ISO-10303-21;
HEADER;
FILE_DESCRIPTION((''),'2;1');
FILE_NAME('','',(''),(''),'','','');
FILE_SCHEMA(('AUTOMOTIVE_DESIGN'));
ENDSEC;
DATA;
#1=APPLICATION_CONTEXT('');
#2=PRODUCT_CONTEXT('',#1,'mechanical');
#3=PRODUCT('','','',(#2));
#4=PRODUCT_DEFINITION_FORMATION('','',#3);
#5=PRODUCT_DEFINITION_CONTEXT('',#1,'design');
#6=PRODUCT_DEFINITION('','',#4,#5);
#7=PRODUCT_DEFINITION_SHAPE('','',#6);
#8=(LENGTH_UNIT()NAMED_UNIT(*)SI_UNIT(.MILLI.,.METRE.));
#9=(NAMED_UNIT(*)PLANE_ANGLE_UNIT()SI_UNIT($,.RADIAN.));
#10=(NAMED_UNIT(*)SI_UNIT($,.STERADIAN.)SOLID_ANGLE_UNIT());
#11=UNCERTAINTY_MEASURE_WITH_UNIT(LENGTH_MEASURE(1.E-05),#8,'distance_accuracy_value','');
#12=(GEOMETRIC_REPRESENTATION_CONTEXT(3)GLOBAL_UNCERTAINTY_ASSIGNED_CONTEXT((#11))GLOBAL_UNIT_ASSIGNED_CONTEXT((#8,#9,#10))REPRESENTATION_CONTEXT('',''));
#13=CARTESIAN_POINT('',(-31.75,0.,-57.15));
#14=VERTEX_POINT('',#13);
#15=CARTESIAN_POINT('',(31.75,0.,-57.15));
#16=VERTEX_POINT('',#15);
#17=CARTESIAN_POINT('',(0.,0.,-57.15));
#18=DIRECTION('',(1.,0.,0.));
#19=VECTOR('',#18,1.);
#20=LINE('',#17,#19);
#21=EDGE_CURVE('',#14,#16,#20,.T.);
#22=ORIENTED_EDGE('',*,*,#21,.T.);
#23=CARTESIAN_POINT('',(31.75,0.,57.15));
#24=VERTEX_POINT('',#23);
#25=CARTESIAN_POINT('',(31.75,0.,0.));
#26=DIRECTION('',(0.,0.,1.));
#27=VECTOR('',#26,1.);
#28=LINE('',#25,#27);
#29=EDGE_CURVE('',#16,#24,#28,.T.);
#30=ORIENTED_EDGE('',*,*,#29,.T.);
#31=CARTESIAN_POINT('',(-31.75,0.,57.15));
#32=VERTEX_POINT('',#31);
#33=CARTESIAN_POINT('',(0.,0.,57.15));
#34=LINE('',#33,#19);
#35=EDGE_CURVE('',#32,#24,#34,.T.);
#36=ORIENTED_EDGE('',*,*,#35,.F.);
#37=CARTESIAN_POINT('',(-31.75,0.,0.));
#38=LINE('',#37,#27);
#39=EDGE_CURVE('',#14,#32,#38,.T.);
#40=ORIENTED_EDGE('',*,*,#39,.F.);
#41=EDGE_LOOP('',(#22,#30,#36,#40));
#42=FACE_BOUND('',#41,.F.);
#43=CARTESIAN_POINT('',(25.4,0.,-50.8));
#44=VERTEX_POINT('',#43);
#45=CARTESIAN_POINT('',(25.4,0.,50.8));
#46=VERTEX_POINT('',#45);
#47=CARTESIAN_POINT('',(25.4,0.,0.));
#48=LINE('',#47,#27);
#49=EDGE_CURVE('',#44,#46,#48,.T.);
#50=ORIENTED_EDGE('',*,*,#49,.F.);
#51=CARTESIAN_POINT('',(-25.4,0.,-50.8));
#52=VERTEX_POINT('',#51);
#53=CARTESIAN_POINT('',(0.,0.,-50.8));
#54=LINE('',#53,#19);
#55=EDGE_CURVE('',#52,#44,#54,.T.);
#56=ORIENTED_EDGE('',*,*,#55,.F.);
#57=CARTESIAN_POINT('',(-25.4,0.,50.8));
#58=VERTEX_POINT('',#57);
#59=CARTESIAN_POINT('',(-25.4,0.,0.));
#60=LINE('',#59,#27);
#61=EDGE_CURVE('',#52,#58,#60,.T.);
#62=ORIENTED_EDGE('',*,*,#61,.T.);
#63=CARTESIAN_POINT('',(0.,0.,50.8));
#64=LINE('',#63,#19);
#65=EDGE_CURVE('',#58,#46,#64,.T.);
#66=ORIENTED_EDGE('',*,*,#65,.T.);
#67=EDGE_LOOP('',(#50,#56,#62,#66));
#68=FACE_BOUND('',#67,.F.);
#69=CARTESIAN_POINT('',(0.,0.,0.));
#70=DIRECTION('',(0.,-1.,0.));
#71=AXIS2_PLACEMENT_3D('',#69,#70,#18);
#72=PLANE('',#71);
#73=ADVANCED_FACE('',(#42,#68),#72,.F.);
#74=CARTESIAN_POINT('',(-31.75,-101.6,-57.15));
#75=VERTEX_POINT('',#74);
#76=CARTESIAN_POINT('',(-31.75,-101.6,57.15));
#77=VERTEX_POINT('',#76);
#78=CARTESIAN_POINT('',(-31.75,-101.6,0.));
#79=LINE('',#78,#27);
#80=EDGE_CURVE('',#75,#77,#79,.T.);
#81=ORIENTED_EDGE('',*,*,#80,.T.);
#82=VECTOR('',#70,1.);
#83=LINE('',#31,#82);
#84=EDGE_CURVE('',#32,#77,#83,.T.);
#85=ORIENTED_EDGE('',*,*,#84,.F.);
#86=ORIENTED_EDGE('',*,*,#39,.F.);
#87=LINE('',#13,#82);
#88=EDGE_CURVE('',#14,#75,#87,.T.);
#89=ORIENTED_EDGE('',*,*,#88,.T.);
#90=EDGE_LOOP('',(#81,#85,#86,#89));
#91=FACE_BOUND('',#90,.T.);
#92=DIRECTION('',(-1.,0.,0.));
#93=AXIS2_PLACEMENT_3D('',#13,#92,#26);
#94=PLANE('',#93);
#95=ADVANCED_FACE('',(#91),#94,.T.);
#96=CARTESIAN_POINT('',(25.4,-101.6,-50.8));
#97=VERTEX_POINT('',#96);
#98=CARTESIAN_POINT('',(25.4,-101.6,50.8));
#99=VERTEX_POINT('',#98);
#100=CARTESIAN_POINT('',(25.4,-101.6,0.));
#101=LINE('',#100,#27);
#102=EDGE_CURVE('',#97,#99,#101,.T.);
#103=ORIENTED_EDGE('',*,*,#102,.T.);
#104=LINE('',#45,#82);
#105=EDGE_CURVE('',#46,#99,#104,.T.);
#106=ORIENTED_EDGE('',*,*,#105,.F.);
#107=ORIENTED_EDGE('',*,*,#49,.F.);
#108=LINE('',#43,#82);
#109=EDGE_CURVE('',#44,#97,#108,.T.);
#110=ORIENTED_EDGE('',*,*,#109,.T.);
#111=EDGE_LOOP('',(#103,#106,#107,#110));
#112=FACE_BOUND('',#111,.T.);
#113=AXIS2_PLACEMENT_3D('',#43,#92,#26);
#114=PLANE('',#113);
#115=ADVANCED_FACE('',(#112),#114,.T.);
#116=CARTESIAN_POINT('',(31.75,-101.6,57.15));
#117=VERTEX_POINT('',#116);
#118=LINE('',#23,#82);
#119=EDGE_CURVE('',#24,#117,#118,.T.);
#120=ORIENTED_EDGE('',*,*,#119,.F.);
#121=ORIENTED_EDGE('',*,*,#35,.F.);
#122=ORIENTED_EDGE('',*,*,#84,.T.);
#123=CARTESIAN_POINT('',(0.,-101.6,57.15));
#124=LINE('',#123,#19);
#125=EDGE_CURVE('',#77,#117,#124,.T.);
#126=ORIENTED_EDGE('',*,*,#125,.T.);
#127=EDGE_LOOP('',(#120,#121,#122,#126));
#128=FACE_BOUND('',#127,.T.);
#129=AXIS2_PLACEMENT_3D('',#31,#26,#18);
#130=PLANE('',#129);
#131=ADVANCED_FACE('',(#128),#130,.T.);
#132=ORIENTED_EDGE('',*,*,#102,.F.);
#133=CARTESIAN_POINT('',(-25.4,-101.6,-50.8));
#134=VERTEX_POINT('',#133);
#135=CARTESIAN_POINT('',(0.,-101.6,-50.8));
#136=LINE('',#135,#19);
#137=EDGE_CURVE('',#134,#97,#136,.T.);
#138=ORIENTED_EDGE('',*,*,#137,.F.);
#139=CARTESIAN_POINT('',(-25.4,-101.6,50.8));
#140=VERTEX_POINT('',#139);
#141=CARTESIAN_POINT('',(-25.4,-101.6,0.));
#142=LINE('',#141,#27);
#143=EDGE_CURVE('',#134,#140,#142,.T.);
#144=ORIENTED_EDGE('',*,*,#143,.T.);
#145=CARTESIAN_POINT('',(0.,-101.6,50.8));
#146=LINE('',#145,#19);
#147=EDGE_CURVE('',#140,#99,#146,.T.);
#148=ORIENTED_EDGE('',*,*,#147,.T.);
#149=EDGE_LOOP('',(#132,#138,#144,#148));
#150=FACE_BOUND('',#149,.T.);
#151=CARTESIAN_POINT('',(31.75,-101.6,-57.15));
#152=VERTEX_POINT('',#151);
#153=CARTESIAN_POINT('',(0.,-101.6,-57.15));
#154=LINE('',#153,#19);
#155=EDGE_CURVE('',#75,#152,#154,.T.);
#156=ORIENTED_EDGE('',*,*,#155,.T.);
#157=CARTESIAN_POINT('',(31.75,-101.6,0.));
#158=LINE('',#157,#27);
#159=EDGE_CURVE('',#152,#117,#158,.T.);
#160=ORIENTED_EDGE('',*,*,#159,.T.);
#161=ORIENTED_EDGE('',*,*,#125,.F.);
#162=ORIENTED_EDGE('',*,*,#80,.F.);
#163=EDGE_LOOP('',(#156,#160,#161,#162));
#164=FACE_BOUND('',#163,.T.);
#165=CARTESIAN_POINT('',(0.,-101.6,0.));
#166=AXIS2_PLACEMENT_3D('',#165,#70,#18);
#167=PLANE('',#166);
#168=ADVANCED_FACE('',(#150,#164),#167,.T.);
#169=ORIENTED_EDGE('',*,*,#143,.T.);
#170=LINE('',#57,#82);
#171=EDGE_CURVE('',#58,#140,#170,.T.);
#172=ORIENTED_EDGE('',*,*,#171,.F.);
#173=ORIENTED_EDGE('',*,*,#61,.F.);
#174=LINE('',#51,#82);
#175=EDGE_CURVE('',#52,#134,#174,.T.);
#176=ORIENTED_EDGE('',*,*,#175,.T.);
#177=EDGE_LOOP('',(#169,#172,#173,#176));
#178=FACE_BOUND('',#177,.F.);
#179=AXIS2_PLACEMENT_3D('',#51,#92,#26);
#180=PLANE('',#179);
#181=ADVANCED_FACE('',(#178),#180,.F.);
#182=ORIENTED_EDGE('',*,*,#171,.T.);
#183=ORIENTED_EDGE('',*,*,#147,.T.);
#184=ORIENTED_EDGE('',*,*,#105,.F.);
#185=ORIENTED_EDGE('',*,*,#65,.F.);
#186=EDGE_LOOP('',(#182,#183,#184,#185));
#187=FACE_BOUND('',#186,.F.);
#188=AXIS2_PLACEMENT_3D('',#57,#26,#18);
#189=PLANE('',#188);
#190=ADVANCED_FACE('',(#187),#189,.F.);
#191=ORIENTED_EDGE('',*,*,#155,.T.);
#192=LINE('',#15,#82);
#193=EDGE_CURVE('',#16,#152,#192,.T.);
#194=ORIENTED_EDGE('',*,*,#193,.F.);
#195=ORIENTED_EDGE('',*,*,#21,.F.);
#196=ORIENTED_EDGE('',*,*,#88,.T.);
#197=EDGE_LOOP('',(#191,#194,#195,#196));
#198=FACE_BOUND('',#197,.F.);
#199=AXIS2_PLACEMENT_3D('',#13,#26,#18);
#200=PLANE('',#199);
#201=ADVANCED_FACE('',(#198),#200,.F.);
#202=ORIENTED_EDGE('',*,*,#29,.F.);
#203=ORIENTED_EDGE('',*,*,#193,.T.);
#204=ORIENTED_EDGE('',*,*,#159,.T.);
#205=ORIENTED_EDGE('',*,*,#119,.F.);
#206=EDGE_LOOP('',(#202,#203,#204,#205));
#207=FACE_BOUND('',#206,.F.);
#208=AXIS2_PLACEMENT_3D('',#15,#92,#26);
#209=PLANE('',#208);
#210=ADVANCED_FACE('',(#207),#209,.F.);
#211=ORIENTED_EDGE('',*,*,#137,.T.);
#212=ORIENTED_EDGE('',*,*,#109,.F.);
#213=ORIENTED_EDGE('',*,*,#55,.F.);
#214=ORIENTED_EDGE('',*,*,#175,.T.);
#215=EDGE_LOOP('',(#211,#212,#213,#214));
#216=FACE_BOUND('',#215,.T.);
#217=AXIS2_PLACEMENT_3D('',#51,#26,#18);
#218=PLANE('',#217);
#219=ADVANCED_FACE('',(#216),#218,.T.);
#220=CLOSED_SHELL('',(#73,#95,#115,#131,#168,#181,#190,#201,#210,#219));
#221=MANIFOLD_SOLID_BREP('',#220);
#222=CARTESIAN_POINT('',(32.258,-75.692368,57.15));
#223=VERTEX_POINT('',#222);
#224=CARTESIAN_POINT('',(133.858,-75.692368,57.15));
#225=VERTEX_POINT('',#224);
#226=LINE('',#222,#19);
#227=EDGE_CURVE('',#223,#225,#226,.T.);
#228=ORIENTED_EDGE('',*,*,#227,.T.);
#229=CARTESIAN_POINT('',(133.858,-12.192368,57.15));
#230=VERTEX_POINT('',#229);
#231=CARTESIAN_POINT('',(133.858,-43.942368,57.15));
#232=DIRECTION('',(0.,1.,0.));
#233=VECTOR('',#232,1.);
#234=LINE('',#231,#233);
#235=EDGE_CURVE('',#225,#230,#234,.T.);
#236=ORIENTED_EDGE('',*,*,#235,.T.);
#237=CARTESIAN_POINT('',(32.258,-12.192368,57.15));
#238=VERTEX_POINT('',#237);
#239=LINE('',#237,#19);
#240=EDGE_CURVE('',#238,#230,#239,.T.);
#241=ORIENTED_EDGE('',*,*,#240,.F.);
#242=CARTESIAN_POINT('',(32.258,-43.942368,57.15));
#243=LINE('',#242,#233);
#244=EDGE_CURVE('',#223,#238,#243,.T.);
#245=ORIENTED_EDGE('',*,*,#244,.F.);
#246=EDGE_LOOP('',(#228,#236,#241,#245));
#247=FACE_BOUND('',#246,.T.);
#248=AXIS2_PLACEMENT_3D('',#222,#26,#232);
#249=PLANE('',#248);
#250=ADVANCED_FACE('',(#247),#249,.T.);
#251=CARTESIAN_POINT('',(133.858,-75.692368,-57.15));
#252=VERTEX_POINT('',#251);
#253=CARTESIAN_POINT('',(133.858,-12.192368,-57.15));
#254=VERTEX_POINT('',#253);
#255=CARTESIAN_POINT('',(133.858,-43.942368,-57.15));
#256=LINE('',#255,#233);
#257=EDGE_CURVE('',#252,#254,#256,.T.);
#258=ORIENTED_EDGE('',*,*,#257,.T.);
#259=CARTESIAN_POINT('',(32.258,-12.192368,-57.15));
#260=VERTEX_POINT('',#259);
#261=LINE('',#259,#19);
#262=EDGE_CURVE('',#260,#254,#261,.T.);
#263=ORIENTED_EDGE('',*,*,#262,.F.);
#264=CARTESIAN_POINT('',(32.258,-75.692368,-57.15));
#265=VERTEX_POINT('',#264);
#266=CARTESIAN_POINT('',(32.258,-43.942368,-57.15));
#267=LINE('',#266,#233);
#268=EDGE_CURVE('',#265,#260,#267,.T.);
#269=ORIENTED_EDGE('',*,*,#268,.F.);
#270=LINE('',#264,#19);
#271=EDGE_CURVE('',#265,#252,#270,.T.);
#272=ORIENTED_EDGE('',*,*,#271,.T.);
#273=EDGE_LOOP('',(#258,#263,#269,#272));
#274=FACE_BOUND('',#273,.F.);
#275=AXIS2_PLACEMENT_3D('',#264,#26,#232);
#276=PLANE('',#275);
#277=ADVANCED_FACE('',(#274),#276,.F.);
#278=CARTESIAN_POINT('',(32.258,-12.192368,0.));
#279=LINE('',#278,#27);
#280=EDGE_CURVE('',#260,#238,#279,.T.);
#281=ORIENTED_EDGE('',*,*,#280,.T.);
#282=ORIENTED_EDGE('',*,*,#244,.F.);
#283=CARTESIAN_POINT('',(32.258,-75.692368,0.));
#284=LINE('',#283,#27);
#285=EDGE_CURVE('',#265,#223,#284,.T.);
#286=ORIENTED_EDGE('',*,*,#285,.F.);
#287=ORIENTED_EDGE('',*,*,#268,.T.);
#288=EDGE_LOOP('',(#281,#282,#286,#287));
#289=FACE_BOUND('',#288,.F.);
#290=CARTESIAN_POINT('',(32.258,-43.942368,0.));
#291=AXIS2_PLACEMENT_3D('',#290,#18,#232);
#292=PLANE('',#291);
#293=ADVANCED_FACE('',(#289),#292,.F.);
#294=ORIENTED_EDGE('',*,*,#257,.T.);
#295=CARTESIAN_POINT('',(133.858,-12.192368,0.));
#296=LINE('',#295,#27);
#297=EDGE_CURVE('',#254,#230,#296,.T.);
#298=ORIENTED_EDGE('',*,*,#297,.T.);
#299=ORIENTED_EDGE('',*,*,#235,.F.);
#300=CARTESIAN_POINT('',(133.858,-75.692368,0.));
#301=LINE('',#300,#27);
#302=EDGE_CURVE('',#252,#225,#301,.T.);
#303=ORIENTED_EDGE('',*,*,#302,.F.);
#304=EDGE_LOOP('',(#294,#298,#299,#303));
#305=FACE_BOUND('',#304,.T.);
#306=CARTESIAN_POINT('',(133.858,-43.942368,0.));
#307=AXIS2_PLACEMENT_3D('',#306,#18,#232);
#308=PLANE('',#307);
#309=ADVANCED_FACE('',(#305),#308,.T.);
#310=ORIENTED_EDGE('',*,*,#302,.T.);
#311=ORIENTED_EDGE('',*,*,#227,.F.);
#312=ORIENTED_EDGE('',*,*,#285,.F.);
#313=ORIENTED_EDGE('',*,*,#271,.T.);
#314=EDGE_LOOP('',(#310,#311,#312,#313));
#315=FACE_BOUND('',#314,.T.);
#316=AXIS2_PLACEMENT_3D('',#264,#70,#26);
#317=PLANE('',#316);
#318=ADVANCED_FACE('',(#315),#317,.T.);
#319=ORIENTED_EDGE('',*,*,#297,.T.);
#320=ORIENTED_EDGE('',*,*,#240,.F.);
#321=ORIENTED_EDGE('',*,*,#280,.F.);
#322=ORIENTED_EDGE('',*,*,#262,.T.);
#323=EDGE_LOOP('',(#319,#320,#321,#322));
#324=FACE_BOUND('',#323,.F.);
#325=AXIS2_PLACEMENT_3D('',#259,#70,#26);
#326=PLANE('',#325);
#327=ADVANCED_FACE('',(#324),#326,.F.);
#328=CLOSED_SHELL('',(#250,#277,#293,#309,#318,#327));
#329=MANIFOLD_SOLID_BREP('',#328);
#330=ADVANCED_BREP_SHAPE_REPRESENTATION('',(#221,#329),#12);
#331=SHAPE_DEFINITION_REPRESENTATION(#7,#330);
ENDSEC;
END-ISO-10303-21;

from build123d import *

# Parameters (mm, degrees)
F0_W     = 63.5
F0_H     = 114.3
F0_W_2   = 50.8
F0_H_2   = 101.6
F1_DEPTH = 101.6
F3_W     = 63.5
F3_H     = 114.3
F4_DEPTH = 101.6


with BuildPart() as f1:
    # F0 (on Front) → F1 (new body)
    with BuildSketch(Plane.XZ):
        Rectangle(F0_W, F0_H)
        Rectangle(F0_W_2, F0_H_2, mode=Mode.SUBTRACT)
    extrude(amount=F1_DEPTH)


with BuildPart() as f4:
    # F3 (on offset) → F4 (new body)
    with BuildSketch(Plane.YZ.offset(32.258)):
        with Locations((-43.9423679346, 0)):
            Rectangle(F3_W, F3_H)
    extrude(amount=F4_DEPTH)


solid = Compound([f1.part, f4.part])
